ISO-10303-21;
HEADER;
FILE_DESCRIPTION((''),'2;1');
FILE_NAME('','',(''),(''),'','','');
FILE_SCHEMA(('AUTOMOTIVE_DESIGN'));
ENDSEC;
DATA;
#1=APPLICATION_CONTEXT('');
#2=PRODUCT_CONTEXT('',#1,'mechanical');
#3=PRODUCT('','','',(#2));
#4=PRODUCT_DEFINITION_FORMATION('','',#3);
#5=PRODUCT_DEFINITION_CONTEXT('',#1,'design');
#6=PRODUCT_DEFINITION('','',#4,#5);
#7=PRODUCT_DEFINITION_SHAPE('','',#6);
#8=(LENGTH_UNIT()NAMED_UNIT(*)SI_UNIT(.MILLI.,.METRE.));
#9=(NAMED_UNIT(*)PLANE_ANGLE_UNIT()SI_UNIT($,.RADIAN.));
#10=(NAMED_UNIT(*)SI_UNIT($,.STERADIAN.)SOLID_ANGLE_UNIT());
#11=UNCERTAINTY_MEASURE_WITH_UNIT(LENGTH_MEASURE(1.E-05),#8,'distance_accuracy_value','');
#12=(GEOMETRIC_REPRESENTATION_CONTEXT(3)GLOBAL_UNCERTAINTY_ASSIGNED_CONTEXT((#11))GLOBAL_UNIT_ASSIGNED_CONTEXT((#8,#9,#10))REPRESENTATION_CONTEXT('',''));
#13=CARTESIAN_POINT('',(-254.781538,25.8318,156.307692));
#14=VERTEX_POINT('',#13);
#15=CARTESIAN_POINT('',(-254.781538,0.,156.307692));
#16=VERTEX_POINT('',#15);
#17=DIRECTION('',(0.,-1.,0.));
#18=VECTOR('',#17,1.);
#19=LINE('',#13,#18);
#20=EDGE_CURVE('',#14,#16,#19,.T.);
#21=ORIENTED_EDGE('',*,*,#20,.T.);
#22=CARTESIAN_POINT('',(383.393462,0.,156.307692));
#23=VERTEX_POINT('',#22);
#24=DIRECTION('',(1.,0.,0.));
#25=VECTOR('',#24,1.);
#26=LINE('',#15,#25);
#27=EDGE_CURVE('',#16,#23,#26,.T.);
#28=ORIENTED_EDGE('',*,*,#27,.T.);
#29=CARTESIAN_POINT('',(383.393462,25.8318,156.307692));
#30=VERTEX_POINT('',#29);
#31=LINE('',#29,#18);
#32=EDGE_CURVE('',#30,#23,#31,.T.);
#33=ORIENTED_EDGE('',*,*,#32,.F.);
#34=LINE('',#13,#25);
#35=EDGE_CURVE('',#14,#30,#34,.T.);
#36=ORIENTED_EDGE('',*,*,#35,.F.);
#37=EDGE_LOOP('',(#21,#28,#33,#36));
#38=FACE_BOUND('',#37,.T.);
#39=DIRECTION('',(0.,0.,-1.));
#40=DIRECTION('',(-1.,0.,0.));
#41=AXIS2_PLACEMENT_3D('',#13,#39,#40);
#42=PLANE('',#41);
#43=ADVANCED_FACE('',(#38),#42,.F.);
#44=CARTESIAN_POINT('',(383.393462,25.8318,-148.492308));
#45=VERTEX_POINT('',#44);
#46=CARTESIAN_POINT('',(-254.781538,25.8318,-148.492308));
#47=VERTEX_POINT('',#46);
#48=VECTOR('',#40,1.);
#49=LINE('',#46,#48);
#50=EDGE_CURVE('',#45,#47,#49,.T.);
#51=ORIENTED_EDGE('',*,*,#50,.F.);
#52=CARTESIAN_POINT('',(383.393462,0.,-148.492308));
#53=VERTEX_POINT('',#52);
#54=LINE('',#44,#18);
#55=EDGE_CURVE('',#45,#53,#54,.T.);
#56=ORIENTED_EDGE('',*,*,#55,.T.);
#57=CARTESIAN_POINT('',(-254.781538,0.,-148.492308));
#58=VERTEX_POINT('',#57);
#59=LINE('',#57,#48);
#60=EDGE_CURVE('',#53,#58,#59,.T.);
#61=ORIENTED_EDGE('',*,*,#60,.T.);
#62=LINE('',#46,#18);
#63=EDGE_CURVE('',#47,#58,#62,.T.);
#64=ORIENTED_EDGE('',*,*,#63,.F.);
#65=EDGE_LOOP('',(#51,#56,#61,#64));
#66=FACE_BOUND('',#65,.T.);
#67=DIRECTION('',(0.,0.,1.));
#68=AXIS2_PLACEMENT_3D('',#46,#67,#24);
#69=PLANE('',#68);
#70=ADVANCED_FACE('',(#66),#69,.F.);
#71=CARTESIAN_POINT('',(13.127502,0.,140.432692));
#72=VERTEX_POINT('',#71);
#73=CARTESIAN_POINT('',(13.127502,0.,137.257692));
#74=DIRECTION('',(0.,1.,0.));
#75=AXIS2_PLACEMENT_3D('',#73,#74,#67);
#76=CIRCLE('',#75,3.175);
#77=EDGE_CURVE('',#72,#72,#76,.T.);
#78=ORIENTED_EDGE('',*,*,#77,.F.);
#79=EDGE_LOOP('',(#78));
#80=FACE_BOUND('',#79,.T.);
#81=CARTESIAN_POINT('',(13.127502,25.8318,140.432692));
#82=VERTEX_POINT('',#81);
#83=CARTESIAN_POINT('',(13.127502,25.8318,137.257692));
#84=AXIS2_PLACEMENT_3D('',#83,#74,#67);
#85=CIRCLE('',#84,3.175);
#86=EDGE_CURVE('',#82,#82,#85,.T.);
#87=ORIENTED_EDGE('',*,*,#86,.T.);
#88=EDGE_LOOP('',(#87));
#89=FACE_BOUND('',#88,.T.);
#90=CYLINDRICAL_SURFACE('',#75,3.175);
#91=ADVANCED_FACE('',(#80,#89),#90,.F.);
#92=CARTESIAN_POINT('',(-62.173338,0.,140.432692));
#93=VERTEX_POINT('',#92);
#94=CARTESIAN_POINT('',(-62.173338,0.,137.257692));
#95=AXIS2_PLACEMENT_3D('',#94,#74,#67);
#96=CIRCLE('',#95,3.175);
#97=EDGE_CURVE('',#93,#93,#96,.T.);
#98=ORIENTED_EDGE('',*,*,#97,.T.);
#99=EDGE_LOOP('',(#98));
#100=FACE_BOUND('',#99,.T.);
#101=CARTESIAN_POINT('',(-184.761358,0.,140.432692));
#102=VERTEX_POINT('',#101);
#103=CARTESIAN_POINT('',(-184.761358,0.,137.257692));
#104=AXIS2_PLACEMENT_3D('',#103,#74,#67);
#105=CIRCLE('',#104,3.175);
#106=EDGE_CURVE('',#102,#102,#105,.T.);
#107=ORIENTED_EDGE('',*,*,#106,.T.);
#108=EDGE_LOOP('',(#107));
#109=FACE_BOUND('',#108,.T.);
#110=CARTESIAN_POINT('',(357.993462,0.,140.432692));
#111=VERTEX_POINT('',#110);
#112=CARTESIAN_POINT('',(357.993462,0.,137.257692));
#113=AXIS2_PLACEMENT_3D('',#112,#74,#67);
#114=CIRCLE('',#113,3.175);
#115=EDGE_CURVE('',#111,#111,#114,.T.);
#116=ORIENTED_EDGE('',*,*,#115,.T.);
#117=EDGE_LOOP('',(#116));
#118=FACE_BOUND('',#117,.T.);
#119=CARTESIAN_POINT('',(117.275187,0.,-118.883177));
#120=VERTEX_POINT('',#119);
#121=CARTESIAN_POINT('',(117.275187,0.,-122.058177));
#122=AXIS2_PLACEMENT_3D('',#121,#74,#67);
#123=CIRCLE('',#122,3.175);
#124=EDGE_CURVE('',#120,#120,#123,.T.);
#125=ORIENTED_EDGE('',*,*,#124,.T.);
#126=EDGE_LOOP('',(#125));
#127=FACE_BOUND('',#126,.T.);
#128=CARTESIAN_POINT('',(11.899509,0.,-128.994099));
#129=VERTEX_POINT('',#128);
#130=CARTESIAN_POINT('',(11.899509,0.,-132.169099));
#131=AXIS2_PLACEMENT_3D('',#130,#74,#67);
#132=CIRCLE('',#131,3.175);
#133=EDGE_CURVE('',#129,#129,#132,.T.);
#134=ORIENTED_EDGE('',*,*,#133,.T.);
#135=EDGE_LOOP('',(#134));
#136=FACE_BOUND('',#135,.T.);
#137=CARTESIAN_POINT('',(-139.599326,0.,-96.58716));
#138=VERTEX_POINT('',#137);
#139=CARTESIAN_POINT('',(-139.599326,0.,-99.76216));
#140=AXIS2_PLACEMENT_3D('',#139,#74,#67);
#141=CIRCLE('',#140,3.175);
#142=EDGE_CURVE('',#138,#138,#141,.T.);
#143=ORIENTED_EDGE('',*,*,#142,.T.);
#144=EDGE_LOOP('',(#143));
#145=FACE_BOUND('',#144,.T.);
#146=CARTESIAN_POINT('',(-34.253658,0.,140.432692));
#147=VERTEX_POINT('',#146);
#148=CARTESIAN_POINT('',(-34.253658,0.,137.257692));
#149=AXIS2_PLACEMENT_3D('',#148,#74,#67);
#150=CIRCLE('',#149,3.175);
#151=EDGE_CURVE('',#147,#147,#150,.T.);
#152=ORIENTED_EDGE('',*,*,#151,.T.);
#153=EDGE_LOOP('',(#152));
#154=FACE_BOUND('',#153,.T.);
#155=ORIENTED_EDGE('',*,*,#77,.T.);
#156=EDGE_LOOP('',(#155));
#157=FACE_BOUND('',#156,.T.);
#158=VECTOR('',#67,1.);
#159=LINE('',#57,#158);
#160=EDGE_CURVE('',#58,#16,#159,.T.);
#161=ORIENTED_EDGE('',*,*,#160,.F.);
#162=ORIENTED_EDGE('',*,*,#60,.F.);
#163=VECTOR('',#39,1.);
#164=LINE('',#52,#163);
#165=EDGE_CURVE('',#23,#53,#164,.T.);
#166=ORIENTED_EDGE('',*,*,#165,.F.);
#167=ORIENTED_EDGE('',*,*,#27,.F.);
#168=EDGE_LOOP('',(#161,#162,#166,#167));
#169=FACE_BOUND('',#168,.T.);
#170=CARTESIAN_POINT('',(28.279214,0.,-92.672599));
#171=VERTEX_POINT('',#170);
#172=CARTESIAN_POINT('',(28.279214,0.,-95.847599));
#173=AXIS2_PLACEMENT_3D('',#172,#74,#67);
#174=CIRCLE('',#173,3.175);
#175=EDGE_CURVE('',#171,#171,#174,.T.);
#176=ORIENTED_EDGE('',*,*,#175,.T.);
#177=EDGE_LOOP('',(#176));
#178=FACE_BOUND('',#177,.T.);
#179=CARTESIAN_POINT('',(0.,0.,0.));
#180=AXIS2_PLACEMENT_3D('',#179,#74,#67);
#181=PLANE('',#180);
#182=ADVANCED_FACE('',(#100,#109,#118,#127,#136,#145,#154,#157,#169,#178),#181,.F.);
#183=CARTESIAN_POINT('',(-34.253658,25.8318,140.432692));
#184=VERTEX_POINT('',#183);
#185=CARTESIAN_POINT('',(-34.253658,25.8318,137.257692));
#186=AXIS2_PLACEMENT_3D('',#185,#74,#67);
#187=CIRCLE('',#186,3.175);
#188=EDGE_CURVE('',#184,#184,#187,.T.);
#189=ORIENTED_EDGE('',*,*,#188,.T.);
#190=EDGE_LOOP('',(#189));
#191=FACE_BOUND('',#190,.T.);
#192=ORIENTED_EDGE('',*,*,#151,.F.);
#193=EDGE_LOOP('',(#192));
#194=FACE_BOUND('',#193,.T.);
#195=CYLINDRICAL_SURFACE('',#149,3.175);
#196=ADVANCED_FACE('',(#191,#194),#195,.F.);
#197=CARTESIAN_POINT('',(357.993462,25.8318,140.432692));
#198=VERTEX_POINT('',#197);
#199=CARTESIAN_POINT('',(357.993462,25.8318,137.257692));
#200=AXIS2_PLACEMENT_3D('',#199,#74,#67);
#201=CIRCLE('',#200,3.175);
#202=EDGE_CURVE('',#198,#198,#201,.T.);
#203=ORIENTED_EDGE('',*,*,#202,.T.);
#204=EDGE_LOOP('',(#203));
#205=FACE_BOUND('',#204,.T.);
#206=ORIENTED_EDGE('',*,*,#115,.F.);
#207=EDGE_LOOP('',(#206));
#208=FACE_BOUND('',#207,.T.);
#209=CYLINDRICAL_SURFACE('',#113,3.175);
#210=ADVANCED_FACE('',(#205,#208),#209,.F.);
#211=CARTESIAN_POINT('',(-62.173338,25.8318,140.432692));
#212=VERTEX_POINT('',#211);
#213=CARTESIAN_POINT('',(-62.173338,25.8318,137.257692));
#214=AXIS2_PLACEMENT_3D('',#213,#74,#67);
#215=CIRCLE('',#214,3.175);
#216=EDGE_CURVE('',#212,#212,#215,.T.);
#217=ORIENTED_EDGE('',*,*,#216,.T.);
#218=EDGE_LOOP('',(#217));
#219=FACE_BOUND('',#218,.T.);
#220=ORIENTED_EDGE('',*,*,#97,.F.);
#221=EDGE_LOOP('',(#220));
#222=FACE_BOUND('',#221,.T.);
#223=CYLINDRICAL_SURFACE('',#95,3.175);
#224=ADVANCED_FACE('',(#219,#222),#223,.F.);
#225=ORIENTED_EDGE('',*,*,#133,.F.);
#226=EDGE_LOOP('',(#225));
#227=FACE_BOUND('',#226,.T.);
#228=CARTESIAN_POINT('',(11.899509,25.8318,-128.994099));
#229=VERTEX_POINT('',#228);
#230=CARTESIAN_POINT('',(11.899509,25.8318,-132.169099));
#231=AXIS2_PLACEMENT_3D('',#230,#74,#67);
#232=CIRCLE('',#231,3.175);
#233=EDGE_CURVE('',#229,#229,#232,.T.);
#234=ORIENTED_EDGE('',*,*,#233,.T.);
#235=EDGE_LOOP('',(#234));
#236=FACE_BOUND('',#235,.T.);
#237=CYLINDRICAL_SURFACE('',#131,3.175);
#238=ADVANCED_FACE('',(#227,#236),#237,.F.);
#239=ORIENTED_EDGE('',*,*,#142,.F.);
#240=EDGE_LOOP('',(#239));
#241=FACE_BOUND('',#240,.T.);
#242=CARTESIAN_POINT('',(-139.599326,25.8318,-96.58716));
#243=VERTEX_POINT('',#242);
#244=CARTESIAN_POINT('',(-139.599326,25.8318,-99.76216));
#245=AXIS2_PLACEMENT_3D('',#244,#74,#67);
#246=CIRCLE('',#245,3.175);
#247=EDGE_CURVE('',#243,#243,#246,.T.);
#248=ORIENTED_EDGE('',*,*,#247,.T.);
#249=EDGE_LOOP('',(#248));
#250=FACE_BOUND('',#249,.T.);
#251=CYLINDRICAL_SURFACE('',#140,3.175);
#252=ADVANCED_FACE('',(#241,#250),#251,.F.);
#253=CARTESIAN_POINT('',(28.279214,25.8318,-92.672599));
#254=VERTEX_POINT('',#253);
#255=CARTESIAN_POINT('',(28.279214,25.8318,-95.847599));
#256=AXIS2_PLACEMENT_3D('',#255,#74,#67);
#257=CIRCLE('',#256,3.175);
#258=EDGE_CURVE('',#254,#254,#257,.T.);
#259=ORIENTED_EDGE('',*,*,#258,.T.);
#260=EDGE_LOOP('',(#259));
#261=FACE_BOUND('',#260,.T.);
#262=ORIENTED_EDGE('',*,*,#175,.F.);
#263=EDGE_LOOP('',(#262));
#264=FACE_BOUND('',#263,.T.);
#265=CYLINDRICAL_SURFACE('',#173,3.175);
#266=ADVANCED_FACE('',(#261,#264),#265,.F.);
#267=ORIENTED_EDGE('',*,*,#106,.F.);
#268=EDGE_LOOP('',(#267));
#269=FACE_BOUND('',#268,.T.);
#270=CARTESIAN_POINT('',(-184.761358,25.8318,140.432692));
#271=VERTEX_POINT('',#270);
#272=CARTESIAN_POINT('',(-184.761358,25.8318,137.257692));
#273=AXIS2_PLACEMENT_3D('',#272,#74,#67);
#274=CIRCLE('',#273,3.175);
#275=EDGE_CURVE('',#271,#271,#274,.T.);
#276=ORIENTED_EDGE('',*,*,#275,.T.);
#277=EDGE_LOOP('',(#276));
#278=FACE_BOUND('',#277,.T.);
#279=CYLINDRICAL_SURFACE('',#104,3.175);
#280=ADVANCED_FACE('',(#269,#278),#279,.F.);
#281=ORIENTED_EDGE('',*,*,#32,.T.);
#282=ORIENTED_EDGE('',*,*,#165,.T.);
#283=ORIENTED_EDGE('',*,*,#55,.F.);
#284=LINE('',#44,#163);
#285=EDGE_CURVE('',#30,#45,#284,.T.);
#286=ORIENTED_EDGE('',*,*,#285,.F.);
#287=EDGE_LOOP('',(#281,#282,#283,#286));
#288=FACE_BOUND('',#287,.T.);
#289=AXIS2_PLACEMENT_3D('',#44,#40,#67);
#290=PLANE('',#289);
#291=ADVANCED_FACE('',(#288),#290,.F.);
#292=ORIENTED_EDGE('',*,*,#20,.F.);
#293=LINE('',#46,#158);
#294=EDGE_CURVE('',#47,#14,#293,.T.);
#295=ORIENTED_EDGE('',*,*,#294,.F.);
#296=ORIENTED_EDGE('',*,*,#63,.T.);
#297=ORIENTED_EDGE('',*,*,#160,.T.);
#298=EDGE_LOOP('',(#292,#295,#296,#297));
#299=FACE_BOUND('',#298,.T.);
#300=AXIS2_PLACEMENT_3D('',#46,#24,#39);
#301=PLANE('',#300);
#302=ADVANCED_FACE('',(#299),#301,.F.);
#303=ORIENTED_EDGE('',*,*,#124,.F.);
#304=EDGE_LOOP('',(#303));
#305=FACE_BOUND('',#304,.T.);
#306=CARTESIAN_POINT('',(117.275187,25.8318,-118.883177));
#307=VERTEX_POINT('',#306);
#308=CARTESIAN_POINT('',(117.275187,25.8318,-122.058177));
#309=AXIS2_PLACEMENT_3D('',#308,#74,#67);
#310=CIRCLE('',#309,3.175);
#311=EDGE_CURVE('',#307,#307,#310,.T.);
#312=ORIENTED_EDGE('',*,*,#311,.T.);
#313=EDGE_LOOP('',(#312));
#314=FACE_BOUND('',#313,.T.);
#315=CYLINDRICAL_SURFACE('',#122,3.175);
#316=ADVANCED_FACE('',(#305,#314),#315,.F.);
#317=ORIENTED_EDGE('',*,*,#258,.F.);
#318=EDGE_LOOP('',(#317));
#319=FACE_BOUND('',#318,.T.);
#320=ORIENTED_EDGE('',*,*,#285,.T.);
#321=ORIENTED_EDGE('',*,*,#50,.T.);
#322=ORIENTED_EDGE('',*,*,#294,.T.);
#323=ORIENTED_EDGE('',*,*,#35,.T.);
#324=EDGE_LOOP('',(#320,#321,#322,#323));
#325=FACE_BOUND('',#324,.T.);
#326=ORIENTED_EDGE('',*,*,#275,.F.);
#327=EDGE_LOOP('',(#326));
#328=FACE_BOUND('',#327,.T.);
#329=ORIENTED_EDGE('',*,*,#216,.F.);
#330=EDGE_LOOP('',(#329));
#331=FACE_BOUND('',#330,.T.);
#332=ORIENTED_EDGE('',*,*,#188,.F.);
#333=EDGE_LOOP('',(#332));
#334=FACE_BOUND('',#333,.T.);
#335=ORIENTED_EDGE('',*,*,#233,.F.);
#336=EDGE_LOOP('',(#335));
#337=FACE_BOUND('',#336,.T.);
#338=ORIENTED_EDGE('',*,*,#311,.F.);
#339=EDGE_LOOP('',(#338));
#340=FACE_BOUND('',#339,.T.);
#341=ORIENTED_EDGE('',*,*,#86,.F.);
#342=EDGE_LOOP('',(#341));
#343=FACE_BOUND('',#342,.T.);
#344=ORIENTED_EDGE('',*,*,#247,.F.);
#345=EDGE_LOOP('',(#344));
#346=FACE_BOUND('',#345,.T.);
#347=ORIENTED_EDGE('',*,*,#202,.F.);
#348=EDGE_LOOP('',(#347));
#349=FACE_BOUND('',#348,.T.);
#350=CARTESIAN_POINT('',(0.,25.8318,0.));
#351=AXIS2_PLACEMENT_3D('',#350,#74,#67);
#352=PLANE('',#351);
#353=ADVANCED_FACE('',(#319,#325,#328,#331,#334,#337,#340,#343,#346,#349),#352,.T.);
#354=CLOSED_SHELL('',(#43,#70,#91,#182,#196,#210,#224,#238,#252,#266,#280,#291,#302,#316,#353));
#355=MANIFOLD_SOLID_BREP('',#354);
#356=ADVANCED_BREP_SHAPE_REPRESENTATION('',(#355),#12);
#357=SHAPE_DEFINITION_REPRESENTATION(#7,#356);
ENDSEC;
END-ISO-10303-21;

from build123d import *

# Parameters (mm, degrees)
SKETCH1_W                   = 638.175
SKETCH1_H                   = 304.8
JIG_STOCK_DEPTH             = 25.8318
SKETCH3_R                   = 3.175
FRONT_BOTTOM_WISHBONE_DEPTH = 26.8318
SKETCH5_R                   = 3.175
FRONT_TOP_WISHBONE_DEPTH    = 26.8318
SKETCH6_R                   = 3.175
REAR_TOP_WISHBONE_DEPTH     = 26.8318
SKETCH7_R                   = 3.175
REAR_BOTTOM_WISHBONE_DEPTH  = 26.8318


with BuildPart() as part:
    # Sketch1 → Jig stock (new body)
    with BuildSketch(Plane(origin=(0, 0, 0), x_dir=(1, 0, 0), z_dir=(0, 1, 0))):
        with Locations((64.305961538, -3.907692308)):
            Rectangle(SKETCH1_W, SKETCH1_H)
    extrude(amount=JIG_STOCK_DEPTH)

    # Sketch3 → Front bottom wishbone (cut, through all)
    with BuildSketch(Plane(origin=(0, 25.8318, 0), x_dir=(1, 0, 0), z_dir=(0, 1, 0))):
        with Locations((357.993461538, -137.257692308)):
            Circle(SKETCH3_R)
        with Locations((-62.173338462, -137.257692308)):
            Circle(SKETCH3_R)
        with Locations((11.899509072, 132.16909874)):
            Circle(SKETCH3_R)
    extrude(amount=-FRONT_BOTTOM_WISHBONE_DEPTH, mode=Mode.SUBTRACT)

    # Sketch5 → Front top wishbone (cut, through all)
    with BuildSketch(Plane(origin=(0, 25.8318, 0), x_dir=(1, 0, 0), z_dir=(0, 1, 0))):
        with Locations((13.127501538, -137.257692308)):
            Circle(SKETCH5_R)
        with Locations((117.27518671, 122.058176562)):
            Circle(SKETCH5_R)
    extrude(amount=-FRONT_TOP_WISHBONE_DEPTH, mode=Mode.SUBTRACT)

    # Sketch6 → Rear top wishbone (cut, through all)
    with BuildSketch(Plane(origin=(0, 25.8318, 0), x_dir=(1, 0, 0), z_dir=(0, 1, 0))):
        with Locations((-34.253658462, -137.257692308)):
            Circle(SKETCH6_R)
        with Locations((28.279213606, 95.847599015)):
            Circle(SKETCH6_R)
    extrude(amount=-REAR_TOP_WISHBONE_DEPTH, mode=Mode.SUBTRACT)

    # Sketch7 → Rear bottom wishbone (cut, through all)
    with BuildSketch(Plane(origin=(0, 25.8318, 0), x_dir=(1, 0, 0), z_dir=(0, 1, 0))):
        with Locations((-184.761358462, -137.257692308)):
            Circle(SKETCH7_R)
        with Locations((-139.599326464, 99.762159573)):
            Circle(SKETCH7_R)
    extrude(amount=-REAR_BOTTOM_WISHBONE_DEPTH, mode=Mode.SUBTRACT)


solid = part.part
